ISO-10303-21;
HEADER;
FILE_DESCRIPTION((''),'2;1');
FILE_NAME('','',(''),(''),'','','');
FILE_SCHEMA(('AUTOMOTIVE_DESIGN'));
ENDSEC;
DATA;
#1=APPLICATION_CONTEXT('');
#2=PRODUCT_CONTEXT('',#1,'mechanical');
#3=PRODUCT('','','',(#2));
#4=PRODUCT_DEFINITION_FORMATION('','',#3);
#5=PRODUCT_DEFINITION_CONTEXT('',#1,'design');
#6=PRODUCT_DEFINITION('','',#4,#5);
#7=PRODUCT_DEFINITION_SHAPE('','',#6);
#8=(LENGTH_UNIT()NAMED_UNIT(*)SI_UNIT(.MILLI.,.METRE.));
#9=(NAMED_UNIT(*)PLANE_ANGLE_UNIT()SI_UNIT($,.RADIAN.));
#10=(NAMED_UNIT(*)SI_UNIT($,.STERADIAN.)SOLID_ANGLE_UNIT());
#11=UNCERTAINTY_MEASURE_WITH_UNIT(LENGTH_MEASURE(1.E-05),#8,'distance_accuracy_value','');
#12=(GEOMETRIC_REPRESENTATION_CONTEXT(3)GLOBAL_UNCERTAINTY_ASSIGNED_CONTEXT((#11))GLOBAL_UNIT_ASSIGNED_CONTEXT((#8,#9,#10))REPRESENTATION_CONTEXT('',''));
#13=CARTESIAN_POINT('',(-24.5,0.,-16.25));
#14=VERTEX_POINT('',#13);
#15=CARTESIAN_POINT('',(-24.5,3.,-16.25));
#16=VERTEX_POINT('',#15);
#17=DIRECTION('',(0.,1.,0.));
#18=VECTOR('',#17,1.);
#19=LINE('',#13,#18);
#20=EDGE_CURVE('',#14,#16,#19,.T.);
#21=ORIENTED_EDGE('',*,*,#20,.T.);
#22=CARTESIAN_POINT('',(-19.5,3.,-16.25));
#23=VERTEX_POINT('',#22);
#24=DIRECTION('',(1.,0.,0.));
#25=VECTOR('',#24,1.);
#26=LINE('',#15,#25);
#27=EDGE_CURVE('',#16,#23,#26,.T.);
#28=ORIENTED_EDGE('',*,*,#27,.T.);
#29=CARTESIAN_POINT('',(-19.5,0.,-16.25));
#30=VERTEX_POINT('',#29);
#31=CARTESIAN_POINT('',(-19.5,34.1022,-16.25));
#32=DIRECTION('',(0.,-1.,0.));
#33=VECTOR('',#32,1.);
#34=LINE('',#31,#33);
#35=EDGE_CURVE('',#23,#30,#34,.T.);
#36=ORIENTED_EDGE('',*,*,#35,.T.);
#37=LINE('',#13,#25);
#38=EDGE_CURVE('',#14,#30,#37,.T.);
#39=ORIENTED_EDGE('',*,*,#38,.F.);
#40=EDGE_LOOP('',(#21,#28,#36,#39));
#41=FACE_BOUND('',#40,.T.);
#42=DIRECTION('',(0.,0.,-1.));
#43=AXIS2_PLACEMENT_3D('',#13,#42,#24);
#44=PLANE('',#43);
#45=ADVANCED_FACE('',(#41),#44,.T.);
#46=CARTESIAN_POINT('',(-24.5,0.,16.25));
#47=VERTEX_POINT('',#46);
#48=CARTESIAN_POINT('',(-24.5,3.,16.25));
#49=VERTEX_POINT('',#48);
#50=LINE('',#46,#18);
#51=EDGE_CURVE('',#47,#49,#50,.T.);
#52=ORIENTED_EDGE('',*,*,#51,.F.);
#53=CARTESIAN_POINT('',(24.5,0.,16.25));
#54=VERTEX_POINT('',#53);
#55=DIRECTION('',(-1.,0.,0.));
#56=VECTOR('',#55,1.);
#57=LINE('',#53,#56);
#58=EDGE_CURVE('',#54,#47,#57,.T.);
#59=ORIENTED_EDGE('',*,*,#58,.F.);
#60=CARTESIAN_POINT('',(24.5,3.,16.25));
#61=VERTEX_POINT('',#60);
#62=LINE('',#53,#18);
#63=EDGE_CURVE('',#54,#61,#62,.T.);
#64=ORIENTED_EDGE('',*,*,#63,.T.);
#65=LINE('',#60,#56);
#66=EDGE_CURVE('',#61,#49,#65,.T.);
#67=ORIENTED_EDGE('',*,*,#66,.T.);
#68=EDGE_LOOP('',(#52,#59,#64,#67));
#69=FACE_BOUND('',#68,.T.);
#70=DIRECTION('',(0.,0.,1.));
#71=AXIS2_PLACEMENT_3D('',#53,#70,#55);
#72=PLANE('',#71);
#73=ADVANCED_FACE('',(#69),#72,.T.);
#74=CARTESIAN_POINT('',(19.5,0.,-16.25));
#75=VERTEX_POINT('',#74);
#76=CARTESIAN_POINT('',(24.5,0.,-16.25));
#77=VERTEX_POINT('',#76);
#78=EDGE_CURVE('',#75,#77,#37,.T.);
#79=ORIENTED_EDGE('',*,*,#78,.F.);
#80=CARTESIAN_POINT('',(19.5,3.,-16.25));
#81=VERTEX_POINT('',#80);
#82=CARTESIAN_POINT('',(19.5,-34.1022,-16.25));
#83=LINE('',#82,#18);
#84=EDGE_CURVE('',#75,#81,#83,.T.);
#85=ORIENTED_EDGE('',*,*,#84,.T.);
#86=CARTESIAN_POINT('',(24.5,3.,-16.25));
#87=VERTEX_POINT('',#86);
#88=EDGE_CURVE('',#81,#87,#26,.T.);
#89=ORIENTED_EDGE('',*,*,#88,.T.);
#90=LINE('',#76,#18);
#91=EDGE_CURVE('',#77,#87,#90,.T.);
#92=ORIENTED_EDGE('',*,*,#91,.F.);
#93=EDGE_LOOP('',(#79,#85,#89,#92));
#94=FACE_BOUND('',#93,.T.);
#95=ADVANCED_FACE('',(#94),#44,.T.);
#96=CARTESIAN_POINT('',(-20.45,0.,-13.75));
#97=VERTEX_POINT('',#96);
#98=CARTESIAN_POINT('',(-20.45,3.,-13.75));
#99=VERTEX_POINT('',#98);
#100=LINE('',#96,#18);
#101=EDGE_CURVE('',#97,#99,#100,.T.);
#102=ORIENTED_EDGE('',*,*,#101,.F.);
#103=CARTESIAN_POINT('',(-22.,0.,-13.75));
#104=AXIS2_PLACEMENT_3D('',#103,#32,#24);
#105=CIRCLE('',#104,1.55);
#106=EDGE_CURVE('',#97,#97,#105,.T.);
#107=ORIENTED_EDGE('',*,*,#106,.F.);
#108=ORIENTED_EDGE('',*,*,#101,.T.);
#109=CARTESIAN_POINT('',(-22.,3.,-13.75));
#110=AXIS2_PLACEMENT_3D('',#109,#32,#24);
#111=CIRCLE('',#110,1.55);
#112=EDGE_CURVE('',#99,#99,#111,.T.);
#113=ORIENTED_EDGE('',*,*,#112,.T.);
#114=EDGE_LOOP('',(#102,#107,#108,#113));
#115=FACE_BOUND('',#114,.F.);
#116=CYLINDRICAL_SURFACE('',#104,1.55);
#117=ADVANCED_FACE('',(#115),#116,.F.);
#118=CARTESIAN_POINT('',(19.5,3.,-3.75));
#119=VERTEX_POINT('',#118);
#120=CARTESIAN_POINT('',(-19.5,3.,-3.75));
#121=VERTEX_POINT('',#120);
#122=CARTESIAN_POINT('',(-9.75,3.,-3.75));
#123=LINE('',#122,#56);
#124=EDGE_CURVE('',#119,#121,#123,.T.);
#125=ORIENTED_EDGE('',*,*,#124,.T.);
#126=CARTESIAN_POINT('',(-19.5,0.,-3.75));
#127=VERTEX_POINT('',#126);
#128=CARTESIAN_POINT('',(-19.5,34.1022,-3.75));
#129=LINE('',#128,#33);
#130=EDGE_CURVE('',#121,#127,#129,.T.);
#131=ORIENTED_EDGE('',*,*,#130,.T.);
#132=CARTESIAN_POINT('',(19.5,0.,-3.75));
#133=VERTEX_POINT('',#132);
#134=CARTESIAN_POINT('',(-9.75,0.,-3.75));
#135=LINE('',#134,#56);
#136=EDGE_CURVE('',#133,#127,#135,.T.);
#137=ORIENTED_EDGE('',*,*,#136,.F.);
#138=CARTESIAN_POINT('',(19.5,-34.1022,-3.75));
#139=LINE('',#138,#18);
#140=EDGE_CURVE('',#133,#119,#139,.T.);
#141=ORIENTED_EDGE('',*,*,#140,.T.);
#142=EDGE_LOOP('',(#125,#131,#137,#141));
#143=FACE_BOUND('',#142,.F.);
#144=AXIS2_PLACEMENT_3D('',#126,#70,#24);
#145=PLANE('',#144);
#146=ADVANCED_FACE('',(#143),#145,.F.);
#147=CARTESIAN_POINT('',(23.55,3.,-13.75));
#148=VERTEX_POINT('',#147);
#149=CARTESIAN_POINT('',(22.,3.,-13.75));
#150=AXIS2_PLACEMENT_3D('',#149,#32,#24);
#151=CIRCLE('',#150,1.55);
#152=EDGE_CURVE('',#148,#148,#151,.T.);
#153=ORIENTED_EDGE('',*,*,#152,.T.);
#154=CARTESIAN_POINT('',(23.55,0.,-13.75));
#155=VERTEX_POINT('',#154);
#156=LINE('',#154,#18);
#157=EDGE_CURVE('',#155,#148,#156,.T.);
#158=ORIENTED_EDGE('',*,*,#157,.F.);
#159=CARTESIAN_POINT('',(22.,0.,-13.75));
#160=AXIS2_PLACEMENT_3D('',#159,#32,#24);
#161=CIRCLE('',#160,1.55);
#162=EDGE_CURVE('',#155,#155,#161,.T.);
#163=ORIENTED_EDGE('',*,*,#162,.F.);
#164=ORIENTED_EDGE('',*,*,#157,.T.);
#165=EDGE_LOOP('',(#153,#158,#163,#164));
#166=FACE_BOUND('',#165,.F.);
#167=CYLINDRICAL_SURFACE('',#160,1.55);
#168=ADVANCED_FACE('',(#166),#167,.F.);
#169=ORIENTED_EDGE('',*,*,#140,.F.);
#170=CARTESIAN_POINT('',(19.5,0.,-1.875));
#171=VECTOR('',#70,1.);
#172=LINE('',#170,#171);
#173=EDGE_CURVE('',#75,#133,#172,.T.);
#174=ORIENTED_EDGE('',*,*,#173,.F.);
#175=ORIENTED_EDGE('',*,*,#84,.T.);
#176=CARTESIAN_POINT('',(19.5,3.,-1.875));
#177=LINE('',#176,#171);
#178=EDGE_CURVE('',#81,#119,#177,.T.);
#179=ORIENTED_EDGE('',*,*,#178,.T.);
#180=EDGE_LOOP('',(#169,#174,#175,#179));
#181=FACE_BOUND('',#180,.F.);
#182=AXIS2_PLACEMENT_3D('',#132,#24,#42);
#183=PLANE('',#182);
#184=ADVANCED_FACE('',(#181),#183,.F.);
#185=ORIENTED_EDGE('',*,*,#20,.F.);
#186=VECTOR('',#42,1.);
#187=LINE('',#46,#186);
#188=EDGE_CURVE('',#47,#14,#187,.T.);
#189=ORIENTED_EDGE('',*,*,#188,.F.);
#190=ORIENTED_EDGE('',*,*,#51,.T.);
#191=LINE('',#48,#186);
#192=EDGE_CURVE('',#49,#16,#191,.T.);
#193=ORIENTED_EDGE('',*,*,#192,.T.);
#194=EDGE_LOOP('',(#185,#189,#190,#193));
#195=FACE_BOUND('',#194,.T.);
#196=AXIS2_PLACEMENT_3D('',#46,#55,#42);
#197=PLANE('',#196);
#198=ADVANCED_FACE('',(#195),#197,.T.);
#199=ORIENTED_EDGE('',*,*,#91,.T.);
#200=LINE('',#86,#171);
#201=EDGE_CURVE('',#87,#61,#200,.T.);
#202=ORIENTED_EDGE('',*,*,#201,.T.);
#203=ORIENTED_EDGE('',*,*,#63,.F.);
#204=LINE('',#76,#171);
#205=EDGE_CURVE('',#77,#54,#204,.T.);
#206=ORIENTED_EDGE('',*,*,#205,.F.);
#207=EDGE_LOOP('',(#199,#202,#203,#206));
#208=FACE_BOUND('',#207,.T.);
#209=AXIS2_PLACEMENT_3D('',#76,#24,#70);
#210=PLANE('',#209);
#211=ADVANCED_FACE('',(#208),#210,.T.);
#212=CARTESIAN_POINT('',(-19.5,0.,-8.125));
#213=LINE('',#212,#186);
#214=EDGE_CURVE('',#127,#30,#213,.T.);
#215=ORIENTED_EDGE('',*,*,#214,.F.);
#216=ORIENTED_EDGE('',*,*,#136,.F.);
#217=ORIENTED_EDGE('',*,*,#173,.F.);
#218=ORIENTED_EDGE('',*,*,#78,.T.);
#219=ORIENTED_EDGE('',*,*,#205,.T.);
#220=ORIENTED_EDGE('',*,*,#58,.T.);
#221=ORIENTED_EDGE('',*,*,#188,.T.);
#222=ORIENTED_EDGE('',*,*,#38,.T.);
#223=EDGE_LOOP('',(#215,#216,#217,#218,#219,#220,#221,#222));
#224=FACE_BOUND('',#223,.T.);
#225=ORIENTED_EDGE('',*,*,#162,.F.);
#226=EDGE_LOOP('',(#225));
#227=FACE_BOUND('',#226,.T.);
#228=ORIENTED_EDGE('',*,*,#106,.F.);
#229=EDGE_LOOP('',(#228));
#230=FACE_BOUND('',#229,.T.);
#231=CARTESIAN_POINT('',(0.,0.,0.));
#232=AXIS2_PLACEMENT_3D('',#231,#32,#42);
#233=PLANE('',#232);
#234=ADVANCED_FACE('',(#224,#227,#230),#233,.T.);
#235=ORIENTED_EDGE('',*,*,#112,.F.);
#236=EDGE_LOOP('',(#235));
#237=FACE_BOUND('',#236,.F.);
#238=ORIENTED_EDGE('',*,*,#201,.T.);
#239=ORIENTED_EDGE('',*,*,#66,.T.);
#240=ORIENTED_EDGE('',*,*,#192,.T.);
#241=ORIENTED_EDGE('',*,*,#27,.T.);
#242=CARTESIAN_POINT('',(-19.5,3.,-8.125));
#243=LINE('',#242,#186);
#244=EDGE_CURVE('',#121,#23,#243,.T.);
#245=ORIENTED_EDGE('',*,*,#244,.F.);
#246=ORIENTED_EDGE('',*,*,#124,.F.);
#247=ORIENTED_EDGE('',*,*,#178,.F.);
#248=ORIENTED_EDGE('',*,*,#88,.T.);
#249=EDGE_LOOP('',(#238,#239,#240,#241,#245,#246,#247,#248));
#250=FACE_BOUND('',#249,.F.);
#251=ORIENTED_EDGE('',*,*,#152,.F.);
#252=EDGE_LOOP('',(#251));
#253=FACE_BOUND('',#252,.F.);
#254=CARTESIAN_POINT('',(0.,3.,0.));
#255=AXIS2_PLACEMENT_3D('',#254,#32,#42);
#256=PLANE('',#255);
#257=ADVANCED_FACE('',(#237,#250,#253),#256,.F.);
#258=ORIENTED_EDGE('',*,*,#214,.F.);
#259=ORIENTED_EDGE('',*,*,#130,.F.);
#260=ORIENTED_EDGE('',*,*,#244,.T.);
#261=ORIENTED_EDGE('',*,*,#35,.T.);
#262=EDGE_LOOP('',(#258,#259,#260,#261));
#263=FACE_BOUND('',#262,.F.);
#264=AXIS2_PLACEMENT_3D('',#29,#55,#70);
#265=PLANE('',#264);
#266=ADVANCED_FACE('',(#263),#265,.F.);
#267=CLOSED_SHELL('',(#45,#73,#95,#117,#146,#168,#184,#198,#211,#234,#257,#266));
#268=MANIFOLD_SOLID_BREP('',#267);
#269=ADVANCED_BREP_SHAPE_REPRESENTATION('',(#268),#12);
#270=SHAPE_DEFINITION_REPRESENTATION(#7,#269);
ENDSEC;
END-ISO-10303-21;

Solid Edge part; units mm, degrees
sketch "Sketch1" plane through (0, 0, 0) normal (0, -1, 0) x (1, 0, 0)
  line L0 (-24.5, -16.25) -> (24.5, -16.25)
  line L1 (24.5, -16.25) -> (24.5, 16.25)
  line L2 (24.5, 16.25) -> (-24.5, 16.25)
  line L3 (-24.5, 16.25) -> (-24.5, -16.25)
extrude "Protrusion1" add sketch "Sketch1" against normal blind 3
sketch "Sketch2" plane through (0, 0, 0) normal (0, -1, 0) x (1, 0, 0)
  line L0 (-19.5, -3.75) -> (19.5, -3.75)
  line L1 (19.5, -3.75) -> (19.5, -16.25)
  line L2 (19.5, -16.25) -> (-19.5, -16.25)
  line L3 (-19.5, -16.25) -> (-19.5, -3.75)
  dimension "D1" = 39
  dimension "D2" = 19.5
  dimension "D3" = 12.5
extrude "ExtrudedCutout_1" cut sketch "Sketch2" along normal mid plane 68.2044
sketch "Sketch3" plane through (0, 0, 0) normal (0, -1, 0) x (1, 0, 0)
  circle A0 centre (-22, -13.75) radius 1.55
  circle A1 centre (22, -13.75) radius 1.55
  dimension "D1" = 2.5
extrude "ExtrudedCutout_2" cut sketch "Sketch3" along normal mid plane 83.9594
